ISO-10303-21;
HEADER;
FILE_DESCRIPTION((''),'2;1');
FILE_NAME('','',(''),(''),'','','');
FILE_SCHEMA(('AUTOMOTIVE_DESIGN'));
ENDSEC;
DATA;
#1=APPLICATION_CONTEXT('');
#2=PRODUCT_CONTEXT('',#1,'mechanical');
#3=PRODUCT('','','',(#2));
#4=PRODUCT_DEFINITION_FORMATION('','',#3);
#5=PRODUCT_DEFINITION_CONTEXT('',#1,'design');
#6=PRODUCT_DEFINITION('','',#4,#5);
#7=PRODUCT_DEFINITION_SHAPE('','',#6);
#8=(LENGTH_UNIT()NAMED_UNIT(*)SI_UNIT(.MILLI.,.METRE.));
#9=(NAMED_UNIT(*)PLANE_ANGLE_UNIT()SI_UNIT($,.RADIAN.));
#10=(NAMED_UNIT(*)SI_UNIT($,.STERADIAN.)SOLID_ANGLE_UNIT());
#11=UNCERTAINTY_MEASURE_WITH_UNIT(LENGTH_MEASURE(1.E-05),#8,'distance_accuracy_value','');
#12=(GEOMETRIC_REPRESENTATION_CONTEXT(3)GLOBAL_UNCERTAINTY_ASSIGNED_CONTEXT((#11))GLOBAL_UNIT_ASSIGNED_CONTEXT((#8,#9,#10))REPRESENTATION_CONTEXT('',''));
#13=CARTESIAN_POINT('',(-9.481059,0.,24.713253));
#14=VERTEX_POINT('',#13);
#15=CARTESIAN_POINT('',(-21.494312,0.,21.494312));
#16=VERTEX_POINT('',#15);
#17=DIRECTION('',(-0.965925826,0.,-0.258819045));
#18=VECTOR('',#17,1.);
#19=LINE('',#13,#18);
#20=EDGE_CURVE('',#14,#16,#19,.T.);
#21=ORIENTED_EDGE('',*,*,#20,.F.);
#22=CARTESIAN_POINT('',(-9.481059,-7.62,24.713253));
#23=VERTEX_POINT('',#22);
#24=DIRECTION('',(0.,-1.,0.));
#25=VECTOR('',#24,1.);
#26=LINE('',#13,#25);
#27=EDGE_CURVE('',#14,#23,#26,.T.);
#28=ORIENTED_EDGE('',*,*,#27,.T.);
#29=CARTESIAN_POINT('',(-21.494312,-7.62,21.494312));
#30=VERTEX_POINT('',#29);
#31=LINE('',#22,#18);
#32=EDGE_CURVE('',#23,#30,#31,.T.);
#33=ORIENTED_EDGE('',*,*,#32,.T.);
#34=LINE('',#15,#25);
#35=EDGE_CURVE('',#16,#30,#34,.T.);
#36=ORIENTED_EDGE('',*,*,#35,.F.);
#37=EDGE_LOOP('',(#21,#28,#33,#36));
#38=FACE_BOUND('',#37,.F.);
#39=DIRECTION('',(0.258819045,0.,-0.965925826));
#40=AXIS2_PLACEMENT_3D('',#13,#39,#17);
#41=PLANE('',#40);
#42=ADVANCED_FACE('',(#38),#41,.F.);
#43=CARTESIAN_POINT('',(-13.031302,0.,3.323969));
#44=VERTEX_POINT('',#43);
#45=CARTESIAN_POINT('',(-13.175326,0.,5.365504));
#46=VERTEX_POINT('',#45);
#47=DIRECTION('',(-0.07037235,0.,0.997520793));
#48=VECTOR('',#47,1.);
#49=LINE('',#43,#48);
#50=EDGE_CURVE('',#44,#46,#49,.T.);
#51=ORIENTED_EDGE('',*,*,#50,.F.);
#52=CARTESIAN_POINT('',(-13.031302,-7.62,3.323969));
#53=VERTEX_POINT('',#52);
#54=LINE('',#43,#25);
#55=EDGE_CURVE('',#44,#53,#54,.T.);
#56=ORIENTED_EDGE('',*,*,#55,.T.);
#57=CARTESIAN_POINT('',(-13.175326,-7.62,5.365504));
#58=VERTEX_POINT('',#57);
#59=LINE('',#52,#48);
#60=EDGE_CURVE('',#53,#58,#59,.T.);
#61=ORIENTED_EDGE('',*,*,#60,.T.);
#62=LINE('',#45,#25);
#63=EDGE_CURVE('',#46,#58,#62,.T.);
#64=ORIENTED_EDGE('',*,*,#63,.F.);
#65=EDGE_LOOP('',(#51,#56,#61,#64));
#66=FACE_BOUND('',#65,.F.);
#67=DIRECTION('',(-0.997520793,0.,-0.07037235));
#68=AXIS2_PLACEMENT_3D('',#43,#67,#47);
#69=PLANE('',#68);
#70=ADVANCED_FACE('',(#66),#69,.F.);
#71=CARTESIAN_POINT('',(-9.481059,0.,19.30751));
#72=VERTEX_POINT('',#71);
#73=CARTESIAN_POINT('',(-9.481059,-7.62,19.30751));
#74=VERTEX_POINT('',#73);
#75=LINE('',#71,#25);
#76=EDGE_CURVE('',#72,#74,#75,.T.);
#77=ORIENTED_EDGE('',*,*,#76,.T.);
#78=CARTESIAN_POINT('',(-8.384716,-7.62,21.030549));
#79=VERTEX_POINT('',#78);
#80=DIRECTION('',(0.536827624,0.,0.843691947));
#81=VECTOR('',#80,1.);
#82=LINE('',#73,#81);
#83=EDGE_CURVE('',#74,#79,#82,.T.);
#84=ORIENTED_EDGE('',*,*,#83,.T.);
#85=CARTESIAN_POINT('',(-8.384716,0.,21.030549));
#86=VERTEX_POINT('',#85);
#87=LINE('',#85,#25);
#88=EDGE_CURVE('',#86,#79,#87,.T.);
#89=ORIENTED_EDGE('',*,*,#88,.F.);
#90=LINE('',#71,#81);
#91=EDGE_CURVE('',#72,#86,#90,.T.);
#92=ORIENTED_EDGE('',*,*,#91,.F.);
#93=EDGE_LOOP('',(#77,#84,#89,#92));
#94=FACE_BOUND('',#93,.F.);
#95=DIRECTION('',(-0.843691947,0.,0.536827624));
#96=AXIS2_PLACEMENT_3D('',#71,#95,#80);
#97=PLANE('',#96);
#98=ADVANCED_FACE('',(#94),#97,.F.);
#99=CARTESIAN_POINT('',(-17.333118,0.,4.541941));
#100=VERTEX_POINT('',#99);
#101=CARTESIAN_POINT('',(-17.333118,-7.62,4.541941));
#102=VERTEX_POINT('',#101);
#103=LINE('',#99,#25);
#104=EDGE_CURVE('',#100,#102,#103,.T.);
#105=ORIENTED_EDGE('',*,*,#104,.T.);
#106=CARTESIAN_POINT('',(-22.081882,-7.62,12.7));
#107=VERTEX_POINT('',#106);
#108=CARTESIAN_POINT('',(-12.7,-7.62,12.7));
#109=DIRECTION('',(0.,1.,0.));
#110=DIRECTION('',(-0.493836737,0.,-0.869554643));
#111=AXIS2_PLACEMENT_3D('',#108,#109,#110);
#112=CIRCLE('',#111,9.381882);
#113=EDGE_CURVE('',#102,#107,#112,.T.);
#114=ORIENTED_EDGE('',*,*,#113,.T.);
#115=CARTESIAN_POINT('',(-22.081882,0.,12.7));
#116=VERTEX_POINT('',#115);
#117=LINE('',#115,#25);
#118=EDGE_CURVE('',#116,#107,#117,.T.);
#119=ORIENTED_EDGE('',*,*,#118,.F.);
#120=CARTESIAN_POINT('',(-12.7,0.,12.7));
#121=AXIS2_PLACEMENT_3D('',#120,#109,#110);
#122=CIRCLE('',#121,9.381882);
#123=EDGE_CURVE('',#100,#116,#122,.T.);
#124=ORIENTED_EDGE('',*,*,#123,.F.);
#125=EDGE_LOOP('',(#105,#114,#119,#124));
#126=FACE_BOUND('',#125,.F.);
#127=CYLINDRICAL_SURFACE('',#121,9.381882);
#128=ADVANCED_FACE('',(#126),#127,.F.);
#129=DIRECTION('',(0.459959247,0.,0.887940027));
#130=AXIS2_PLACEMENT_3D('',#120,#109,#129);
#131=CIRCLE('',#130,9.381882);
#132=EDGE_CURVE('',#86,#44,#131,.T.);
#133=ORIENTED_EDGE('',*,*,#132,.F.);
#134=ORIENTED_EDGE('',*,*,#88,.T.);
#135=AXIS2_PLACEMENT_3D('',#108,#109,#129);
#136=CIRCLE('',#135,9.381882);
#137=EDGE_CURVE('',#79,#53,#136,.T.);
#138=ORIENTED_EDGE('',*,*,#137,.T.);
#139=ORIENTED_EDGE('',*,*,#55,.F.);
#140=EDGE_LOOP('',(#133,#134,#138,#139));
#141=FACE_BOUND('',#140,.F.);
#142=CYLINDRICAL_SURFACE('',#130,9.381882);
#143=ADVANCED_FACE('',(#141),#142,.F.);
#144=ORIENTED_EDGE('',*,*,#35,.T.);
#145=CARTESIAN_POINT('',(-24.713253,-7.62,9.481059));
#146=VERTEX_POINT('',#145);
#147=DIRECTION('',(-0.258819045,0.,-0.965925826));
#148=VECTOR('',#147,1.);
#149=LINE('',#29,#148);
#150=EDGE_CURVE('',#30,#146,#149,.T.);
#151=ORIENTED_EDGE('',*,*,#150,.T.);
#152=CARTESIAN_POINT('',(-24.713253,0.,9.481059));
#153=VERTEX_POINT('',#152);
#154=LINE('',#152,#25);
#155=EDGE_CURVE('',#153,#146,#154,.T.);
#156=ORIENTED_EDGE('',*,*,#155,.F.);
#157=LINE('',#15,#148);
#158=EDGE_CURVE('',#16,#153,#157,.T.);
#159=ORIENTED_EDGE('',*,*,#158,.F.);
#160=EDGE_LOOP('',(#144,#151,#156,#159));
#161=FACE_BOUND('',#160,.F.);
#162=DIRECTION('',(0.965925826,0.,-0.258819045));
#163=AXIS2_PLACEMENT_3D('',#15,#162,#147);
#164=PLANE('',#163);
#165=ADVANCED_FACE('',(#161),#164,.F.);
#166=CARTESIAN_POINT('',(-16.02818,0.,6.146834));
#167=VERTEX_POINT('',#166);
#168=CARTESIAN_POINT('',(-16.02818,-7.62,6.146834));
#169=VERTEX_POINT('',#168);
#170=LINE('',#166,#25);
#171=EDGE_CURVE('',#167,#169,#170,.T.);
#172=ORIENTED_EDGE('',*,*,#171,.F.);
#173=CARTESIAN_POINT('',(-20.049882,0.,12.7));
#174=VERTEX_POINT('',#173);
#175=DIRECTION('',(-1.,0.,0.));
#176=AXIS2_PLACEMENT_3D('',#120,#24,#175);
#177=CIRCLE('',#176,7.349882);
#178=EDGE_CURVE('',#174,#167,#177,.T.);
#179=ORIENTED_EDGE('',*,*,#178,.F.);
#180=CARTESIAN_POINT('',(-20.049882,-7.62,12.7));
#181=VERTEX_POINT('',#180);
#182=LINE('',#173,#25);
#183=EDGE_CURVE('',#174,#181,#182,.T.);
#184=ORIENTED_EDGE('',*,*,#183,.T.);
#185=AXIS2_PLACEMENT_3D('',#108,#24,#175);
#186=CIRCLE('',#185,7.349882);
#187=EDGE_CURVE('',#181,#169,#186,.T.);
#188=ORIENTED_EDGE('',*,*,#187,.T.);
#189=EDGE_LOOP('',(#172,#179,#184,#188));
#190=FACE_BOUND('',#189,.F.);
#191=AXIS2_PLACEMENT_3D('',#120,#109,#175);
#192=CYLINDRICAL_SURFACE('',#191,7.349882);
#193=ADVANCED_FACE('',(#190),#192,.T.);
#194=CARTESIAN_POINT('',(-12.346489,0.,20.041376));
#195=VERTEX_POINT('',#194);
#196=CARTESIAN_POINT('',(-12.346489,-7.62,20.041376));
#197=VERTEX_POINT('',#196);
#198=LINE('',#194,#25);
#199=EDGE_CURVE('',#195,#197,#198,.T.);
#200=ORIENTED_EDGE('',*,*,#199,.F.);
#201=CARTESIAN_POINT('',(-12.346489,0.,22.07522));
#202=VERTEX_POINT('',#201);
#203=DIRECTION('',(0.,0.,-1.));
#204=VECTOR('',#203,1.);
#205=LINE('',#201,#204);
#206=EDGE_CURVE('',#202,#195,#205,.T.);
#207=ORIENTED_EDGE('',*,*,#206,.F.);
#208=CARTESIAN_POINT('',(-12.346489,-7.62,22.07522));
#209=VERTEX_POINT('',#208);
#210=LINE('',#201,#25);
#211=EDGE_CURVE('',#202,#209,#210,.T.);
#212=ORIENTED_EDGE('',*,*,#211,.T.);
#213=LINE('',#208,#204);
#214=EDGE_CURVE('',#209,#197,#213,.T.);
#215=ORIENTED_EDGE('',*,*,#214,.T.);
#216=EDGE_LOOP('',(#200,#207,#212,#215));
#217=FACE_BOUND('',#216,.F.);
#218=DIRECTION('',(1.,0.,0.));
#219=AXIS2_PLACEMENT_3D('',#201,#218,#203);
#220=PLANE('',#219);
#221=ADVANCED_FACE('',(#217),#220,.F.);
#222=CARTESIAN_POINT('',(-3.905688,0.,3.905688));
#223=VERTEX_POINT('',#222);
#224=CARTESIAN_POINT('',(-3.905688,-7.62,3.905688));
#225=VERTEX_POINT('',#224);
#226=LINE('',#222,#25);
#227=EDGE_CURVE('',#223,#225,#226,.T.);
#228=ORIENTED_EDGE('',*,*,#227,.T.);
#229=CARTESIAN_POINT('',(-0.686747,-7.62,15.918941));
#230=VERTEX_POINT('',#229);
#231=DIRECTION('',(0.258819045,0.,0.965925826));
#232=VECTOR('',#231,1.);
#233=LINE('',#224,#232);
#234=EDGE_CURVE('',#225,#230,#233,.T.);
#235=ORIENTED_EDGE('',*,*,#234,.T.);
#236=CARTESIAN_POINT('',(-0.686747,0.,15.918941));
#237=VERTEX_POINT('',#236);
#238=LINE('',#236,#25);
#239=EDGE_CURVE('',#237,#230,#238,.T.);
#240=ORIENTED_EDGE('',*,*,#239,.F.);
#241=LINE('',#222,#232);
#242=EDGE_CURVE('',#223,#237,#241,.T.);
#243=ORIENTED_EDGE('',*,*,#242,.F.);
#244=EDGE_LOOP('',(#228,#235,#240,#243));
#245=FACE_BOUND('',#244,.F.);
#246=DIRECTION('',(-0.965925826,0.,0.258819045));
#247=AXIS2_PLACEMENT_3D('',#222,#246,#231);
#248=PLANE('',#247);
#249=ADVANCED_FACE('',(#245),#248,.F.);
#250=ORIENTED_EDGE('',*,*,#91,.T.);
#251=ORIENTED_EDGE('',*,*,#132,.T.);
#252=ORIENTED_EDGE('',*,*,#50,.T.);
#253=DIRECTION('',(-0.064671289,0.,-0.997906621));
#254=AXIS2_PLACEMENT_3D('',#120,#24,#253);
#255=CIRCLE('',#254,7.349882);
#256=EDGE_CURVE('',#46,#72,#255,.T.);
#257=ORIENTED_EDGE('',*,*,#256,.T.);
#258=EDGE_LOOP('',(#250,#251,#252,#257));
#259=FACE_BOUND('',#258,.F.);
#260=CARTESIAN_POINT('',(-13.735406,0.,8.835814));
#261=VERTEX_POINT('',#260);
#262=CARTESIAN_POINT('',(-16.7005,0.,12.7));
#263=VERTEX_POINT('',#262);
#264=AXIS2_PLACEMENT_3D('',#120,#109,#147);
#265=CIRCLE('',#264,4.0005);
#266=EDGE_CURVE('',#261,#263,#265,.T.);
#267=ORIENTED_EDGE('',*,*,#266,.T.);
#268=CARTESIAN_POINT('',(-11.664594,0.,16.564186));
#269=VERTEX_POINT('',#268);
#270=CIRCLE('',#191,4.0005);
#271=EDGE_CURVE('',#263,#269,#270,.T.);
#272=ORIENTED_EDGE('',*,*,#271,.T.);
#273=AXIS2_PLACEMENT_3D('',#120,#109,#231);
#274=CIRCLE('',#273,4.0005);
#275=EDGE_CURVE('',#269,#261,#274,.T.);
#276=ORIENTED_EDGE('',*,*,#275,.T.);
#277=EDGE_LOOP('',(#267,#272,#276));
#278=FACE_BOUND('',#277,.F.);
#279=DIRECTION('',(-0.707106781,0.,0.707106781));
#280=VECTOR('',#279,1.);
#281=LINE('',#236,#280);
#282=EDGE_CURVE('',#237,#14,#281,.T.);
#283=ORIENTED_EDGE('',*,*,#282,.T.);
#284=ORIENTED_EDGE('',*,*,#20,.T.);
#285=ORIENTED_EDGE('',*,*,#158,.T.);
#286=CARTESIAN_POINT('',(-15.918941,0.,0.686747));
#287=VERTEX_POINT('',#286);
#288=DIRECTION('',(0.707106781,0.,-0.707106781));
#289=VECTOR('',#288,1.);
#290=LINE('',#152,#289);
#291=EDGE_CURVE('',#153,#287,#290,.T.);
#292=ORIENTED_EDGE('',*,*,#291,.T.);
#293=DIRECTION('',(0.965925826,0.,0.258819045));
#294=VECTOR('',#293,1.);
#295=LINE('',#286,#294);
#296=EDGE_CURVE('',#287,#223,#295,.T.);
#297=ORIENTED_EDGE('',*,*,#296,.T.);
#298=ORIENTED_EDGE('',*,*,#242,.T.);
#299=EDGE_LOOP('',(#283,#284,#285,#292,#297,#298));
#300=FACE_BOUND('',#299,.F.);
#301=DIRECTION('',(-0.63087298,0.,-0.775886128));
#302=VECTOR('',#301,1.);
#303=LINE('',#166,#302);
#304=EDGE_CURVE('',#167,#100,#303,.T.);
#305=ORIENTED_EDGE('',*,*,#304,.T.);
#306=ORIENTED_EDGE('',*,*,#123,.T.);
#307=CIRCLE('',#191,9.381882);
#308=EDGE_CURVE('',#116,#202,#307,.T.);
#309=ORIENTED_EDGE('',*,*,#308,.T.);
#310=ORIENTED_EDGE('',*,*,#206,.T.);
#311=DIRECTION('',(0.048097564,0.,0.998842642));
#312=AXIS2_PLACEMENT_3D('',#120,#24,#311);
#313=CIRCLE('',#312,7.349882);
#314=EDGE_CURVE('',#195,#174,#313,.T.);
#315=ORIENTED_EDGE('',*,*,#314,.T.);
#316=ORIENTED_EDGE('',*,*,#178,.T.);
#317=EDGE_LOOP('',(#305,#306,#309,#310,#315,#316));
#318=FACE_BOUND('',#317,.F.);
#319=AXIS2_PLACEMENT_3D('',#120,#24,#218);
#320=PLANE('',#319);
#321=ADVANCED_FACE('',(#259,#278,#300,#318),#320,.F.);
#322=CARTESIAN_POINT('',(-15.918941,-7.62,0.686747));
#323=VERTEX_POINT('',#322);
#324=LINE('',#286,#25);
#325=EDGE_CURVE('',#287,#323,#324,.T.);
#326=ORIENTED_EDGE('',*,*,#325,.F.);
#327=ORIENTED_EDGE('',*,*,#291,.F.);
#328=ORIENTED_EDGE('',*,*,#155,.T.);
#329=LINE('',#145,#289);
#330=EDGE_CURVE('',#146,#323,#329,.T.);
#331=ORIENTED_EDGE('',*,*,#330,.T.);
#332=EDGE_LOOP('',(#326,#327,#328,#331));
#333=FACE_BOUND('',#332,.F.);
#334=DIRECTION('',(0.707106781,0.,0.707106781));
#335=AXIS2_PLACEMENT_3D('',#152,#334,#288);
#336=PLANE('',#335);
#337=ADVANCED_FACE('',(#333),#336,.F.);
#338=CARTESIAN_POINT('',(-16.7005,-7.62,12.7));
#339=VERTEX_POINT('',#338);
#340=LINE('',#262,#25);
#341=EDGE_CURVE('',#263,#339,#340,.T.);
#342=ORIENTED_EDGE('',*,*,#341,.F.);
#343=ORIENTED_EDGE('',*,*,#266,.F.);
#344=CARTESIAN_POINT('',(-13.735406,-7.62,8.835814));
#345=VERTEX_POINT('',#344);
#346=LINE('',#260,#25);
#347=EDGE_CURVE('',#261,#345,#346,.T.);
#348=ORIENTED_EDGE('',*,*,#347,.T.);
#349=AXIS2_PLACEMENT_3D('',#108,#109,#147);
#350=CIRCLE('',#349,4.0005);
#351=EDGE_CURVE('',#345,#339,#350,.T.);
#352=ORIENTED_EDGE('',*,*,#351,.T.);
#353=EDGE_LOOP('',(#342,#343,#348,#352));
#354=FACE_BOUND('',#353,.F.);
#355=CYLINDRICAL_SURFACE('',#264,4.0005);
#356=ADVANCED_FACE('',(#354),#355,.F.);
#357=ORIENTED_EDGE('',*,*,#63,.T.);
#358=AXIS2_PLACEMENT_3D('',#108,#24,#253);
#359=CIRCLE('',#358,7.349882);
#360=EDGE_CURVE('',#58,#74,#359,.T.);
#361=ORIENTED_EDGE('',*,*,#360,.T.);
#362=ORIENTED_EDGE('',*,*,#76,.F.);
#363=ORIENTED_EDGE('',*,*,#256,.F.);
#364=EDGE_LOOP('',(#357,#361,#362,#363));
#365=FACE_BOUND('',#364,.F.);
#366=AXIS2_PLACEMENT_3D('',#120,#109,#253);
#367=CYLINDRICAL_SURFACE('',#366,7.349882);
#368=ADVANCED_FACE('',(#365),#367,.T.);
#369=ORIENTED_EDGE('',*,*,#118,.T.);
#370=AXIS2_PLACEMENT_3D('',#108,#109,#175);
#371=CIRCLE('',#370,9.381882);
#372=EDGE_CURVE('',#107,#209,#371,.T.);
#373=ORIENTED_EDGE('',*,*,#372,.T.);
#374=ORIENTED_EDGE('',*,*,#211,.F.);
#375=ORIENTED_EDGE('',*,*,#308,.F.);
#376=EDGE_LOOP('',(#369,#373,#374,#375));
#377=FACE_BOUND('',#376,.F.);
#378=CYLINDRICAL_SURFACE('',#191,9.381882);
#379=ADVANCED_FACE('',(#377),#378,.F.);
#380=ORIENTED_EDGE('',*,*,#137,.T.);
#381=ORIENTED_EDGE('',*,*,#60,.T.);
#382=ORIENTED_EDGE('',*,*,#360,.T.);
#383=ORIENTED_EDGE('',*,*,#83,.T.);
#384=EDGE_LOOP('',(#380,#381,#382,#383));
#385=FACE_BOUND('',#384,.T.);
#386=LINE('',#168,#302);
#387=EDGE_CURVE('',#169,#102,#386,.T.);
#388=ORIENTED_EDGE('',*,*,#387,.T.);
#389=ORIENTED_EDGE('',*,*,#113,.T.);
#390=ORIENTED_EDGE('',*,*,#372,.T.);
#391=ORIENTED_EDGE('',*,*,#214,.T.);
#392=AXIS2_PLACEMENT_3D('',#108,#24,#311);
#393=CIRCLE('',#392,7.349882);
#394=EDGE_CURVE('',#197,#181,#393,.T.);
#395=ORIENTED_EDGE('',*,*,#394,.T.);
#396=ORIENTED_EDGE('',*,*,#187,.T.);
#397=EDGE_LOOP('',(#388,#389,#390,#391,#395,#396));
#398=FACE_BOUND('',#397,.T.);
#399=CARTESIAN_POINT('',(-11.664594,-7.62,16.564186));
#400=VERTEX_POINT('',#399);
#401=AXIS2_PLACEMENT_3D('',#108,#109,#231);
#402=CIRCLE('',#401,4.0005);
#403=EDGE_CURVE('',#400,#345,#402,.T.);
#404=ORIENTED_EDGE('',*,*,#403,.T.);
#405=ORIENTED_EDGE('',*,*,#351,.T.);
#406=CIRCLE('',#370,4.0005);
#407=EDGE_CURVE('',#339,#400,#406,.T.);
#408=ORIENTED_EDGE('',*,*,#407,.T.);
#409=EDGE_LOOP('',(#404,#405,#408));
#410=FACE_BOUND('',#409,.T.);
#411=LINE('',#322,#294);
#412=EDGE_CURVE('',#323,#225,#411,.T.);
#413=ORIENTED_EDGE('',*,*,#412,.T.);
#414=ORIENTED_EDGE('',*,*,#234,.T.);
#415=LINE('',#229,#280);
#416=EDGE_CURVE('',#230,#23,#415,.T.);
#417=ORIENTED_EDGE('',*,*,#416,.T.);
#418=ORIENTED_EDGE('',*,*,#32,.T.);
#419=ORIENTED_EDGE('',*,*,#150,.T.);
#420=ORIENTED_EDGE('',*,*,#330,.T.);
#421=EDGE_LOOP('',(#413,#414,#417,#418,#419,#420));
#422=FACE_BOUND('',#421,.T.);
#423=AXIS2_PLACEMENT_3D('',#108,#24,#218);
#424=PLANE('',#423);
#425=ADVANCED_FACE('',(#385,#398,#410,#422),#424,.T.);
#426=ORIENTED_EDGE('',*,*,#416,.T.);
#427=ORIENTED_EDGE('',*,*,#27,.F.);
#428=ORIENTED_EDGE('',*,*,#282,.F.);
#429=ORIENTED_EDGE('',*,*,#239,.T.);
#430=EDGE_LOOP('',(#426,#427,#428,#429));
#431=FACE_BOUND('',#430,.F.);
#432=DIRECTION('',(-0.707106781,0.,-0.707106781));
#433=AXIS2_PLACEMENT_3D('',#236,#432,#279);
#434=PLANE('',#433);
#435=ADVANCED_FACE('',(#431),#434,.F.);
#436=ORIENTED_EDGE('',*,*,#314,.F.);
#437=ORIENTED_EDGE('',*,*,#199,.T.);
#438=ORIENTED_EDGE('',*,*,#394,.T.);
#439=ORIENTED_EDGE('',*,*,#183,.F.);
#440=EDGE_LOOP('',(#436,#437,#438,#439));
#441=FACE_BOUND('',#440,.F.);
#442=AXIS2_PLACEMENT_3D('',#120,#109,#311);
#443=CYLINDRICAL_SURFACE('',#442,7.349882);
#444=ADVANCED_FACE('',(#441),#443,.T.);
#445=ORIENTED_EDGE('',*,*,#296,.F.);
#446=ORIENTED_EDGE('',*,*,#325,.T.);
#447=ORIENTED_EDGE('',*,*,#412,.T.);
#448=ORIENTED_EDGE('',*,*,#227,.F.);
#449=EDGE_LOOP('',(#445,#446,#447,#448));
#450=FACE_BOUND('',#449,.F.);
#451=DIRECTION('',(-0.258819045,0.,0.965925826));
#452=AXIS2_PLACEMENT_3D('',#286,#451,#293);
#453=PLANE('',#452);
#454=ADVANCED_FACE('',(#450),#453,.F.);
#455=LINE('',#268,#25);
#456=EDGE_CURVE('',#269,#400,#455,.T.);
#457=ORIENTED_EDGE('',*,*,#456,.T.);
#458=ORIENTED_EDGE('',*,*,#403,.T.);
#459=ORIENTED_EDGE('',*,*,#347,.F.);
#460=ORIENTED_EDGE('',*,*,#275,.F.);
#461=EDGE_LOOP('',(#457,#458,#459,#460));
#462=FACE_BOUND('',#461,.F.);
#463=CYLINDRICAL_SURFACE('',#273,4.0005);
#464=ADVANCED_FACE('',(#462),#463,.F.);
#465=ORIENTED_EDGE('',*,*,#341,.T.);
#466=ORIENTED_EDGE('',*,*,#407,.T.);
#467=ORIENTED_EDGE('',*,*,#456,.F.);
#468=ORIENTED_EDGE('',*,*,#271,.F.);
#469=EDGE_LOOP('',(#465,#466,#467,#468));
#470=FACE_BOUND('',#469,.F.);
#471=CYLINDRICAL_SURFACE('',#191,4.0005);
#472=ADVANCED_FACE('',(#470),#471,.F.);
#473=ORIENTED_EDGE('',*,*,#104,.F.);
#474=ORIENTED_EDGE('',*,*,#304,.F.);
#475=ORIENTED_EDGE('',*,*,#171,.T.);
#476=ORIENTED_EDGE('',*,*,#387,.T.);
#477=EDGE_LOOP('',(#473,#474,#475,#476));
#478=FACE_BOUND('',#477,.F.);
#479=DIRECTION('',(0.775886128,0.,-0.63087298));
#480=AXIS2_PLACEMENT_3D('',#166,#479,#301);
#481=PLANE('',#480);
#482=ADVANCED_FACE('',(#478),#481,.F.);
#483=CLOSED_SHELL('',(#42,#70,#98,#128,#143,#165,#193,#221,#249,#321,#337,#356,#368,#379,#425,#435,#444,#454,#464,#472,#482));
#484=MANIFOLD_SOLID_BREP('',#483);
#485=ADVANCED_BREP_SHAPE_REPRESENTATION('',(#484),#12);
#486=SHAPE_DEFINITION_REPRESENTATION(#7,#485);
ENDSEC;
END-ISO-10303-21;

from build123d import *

# Parameters (mm, degrees)
F1_DEPTH = 7.62
F3_DEPTH = 7.62
F5_DEPTH = 7.62


with BuildPart() as f1:
    # F0 (on Front) → F1 (new body)
    with BuildSketch(Plane.XZ):
        Polygon((-0.68674681, 15.9189414907), (-9.4810585093, 24.71325319), (-21.4943116993, 21.4943116993), (-24.71325319, 9.4810585093), (-15.9189414907, 0.68674681), (-3.9056883007, 3.9056883007), align=None)
    extrude(amount=F1_DEPTH)

    # F2 (on face) → F3 (cut)
    with BuildSketch(Plane(origin=(0, 0, 0), x_dir=(-1, 0, 0), z_dir=(0, 1, 0))):
        with BuildLine():
            Line((13.7354055899, 8.8358137319), (11.6645944101, 16.5641862681))
            ThreePointArc((11.6645944101, 16.5641862681), (8.8358137319, 11.6645944101), (13.7354055899, 8.8358137319))
        make_face()
        with BuildLine():
            ThreePointArc((16.7005, 12.7), (15.1353500967, 15.8738100378), (11.6645944101, 16.5641862681))
            Line((11.6645944101, 16.5641862681), (13.7354055899, 8.8358137319))
            ThreePointArc((13.7354055899, 8.8358137319), (15.8738100378, 10.2646499033), (16.7005, 12.7))
        make_face()
    extrude(amount=-F3_DEPTH, mode=Mode.SUBTRACT)

    # F4 (on face) → F5 (cut)
    with BuildSketch(Plane(origin=(0, 0, 0), x_dir=(-1, 0, 0), z_dir=(0, 1, 0))):
        with BuildLine():
            Line((9.4810585093, 19.3075097995), (8.38471647, 21.0305488332))
            ThreePointArc((8.38471647, 21.0305488332), (3.6253777463, 10.3186250274), (13.0313017042, 3.323969124))
            Line((13.0313017042, 3.323969124), (13.1753263628, 5.3655037719))
            ThreePointArc((13.1753263628, 5.3655037719), (5.5953016242, 10.8174402904), (9.4810585093, 19.3075097995))
        make_face()
        with BuildLine():
            ThreePointArc((17.3331181487, 4.5419406703), (20.808239175, 7.9802358864), (22.0818823168, 12.7))
            ThreePointArc((22.0818823168, 12.7), (19.2078073532, 19.4578220797), (12.3464885615, 22.0752197558))
            Line((12.3464885615, 22.0752197558), (12.3464885615, 20.0413758747))
            ThreePointArc((12.3464885615, 20.0413758747), (17.7706263223, 18.0206690154), (20.0498823168, 12.7))
            ThreePointArc((20.0498823168, 12.7), (18.9642836617, 8.8555858343), (16.0281797534, 6.1468336203))
            Line((16.0281797534, 6.1468336203), (17.3331181487, 4.5419406703))
        make_face()
    extrude(amount=-F5_DEPTH, mode=Mode.SUBTRACT)


solid = f1.part
